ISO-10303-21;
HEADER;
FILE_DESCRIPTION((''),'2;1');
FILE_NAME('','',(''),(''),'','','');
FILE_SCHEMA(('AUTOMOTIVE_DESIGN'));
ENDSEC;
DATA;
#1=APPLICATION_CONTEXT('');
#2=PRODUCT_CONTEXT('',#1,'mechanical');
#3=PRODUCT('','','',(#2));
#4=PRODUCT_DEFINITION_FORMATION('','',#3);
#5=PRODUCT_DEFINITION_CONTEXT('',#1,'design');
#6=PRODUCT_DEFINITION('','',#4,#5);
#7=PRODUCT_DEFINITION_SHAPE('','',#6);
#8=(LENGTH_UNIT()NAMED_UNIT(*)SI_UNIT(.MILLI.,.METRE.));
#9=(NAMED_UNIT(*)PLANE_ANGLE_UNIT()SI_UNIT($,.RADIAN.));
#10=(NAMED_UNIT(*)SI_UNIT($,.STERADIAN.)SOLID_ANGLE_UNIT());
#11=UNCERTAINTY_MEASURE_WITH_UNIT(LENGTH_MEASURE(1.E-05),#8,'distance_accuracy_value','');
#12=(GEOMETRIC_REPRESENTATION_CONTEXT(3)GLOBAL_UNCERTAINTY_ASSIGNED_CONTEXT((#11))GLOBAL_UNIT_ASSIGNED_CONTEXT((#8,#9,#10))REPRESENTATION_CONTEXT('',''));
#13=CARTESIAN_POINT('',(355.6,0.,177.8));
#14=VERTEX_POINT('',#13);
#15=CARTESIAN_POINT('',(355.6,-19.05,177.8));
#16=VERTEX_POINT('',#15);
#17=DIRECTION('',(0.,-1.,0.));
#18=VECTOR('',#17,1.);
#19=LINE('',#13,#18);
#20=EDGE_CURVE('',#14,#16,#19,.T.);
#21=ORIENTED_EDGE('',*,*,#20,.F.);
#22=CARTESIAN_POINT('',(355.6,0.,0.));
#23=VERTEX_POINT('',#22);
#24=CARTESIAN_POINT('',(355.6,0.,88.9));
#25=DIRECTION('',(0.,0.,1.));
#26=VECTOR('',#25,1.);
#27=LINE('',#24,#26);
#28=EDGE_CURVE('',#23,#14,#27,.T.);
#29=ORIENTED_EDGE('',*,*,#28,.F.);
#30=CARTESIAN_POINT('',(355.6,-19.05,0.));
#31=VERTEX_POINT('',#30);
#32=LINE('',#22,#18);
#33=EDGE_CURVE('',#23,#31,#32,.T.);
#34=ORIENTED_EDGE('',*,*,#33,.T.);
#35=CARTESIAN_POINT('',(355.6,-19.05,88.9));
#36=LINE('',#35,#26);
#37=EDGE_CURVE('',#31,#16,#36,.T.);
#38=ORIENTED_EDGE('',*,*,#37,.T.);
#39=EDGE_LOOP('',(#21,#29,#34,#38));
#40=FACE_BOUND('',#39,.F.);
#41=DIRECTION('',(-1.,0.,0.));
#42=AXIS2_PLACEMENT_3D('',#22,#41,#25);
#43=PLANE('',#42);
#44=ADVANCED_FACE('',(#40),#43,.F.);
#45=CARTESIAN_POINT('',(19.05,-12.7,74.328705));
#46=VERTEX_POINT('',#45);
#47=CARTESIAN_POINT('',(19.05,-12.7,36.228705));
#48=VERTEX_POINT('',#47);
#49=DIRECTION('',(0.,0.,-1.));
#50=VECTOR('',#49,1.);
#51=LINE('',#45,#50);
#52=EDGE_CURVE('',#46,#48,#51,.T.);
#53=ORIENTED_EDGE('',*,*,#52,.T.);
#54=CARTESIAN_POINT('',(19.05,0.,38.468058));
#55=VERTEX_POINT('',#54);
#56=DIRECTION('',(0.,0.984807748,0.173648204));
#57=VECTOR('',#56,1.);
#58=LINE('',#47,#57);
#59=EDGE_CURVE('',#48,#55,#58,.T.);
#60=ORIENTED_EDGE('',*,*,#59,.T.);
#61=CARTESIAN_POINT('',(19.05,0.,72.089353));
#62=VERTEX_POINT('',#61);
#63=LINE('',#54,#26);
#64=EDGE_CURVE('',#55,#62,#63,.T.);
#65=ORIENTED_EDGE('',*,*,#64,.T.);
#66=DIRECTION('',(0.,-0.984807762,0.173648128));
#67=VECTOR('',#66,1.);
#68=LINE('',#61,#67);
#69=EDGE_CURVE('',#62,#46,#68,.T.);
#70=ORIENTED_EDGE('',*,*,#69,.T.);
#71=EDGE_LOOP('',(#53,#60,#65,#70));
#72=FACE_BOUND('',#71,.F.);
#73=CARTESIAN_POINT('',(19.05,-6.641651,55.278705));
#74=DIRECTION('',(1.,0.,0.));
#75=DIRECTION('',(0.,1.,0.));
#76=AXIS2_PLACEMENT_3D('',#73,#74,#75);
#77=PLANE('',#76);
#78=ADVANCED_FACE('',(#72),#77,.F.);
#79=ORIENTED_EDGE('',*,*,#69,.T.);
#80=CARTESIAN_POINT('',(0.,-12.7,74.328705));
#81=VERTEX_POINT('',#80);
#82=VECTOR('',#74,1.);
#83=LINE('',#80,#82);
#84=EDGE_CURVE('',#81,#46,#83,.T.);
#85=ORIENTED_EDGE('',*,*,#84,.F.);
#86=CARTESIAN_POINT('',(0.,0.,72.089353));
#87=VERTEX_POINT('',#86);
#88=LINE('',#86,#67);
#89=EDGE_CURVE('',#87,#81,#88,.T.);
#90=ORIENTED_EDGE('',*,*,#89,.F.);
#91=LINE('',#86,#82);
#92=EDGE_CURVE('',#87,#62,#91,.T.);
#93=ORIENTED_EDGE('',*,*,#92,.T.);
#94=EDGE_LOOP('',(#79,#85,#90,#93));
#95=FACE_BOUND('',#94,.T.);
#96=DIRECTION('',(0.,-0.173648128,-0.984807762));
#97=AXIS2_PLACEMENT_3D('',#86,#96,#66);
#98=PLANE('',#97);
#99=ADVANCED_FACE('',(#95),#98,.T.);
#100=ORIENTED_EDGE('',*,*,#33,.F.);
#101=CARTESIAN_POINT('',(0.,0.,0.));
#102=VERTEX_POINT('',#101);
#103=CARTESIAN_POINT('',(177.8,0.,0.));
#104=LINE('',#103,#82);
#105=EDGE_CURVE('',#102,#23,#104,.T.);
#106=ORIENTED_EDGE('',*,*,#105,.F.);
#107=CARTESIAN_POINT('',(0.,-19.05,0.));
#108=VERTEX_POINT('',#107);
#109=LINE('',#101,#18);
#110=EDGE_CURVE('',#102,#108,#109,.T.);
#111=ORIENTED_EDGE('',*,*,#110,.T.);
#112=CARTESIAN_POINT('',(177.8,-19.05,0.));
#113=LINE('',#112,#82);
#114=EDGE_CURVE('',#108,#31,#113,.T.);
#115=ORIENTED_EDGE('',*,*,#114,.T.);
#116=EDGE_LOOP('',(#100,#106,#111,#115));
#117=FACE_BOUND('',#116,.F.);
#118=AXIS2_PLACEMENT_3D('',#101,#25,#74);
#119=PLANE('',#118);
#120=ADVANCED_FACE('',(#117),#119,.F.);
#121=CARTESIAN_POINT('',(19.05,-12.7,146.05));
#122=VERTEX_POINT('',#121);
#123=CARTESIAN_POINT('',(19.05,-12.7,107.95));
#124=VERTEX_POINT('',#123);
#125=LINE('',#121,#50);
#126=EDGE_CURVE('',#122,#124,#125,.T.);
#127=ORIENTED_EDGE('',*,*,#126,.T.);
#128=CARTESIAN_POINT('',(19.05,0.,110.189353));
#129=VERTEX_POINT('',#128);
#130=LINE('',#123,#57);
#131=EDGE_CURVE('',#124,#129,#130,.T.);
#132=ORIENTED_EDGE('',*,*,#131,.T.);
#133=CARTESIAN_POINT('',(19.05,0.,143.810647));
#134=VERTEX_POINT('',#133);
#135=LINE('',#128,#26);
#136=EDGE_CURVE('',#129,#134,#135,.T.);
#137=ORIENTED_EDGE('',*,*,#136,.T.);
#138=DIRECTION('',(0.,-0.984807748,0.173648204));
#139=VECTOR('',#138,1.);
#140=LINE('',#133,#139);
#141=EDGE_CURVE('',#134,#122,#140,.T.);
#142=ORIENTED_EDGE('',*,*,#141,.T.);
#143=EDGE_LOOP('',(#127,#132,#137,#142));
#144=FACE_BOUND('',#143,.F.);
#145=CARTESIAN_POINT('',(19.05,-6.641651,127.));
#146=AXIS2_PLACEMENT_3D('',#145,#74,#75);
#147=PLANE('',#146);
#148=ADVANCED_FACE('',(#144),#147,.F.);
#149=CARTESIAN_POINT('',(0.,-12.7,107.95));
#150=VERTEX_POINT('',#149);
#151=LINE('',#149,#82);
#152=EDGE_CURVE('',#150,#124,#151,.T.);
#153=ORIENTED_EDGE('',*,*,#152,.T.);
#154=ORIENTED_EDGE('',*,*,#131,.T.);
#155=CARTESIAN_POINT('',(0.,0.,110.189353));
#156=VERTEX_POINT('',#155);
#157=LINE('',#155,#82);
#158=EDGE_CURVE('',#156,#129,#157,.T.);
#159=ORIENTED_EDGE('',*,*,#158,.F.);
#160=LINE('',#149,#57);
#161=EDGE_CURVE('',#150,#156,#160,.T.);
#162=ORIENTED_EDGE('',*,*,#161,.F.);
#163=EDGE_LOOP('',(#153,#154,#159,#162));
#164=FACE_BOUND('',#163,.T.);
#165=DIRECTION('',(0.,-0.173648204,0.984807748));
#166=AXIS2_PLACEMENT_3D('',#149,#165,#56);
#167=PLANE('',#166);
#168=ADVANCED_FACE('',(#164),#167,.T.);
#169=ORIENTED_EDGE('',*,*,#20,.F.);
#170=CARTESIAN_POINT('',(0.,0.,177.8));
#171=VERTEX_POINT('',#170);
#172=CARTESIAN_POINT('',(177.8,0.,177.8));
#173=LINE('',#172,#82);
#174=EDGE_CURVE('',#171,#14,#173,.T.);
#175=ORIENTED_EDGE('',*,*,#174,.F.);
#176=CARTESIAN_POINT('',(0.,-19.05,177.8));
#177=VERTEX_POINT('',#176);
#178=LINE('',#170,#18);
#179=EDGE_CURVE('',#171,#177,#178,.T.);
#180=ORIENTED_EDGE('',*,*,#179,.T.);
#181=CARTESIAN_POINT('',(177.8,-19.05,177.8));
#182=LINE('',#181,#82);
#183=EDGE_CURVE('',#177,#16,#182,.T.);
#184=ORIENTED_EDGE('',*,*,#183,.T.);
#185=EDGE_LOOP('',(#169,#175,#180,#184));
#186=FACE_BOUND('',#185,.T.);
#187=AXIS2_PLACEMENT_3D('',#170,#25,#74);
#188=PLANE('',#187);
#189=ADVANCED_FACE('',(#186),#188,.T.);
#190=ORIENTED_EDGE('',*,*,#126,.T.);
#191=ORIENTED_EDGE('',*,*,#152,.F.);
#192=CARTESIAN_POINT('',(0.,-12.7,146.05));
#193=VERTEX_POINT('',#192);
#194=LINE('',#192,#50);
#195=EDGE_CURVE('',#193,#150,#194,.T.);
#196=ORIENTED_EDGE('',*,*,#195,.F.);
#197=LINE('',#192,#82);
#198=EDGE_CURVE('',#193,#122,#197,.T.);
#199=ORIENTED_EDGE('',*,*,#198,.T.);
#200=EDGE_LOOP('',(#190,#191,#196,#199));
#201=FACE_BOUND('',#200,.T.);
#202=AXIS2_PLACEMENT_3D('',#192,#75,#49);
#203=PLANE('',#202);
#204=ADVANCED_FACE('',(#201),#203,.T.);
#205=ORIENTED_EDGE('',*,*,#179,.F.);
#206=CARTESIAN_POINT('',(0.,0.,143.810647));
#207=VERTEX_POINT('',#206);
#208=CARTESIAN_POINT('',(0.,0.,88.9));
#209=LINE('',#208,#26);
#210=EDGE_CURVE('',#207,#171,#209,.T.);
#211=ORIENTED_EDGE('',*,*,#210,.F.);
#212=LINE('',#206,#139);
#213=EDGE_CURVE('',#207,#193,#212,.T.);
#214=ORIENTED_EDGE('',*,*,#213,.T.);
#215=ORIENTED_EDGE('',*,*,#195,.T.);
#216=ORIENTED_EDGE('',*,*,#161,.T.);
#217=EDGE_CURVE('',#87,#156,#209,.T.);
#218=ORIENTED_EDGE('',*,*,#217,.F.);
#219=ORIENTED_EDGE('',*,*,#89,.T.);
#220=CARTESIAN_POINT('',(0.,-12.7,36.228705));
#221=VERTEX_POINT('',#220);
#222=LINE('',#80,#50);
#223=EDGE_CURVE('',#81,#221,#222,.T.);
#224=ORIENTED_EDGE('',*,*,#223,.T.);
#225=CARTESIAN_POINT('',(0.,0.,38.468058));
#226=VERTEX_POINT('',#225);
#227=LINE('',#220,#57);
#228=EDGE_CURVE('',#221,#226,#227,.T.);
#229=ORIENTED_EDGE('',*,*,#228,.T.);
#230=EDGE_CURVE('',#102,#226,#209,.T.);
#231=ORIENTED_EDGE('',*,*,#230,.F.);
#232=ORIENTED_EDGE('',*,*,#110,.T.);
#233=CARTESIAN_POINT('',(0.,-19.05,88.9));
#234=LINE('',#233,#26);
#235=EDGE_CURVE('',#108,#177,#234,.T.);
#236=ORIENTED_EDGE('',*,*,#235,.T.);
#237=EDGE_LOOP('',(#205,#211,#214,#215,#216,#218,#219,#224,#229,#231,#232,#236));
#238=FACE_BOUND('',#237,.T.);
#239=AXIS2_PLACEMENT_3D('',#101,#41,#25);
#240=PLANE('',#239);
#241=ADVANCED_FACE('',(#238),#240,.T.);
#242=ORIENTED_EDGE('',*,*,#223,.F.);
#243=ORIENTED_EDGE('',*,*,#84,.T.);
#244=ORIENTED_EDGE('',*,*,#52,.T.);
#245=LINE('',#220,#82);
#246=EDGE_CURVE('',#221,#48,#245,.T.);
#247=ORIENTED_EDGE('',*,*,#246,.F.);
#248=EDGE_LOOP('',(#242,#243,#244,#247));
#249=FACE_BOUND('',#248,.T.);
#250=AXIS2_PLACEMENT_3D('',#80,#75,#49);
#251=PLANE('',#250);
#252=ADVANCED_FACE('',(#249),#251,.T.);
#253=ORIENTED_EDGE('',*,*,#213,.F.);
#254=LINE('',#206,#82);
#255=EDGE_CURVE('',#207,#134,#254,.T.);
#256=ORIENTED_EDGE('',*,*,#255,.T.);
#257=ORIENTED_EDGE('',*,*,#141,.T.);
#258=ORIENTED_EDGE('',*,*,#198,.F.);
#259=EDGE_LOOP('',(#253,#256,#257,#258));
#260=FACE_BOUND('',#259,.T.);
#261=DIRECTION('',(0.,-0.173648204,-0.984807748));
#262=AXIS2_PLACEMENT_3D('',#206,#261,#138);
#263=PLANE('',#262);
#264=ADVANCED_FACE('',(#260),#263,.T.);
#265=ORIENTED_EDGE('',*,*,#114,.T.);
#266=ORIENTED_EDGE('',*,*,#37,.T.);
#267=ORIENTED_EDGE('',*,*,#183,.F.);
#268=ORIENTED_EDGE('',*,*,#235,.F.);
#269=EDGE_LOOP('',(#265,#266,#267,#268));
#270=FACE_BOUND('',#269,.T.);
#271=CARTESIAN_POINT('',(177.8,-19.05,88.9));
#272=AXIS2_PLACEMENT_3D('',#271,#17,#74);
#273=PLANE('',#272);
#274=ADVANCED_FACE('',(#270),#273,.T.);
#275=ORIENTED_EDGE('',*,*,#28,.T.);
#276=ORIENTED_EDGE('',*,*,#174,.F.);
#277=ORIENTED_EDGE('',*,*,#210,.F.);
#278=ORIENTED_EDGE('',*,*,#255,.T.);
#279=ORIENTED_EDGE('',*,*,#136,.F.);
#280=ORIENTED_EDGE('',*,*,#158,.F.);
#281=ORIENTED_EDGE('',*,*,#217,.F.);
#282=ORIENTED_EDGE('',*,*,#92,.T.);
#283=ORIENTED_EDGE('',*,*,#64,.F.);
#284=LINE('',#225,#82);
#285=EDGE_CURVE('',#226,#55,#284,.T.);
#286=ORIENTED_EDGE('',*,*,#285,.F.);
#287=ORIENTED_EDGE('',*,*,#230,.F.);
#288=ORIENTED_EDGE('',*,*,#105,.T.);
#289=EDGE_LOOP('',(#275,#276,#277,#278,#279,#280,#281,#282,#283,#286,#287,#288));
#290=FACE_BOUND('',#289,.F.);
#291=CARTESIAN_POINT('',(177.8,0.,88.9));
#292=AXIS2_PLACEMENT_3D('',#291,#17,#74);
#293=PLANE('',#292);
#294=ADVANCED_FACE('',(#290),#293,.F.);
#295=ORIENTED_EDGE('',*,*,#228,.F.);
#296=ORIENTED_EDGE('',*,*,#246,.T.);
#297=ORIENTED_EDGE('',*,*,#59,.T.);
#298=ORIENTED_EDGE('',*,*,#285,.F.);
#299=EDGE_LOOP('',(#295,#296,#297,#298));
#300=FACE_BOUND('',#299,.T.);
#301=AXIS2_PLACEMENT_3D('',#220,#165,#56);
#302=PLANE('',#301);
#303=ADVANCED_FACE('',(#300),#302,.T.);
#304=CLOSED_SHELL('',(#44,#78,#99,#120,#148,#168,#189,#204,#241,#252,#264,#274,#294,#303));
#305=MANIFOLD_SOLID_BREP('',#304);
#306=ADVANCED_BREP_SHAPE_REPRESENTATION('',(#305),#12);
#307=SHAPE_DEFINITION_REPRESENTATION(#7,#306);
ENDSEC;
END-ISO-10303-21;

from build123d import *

# Parameters (mm, degrees)
F0_W     = 355.6
F0_H     = 177.8
F1_DEPTH = 19.05
F3_DEPTH = 19.05


with BuildPart() as f1:
    # F0 (on Front) → F1 (new body)
    with BuildSketch(Plane.XZ):
        with Locations((177.8, 88.9)):
            Rectangle(F0_W, F0_H)
    extrude(amount=F1_DEPTH)

    # F2 (on Right) → F3 (cut)
    with BuildSketch(Plane.YZ):
        Polygon((0, 143.810647), (-12.7, 146.05), (-12.7, 107.95), (0, 110.189353), align=None)
        Polygon((0, 38.468058), (0, 72.089353), (-12.7, 74.328705), (-12.7, 36.228705), align=None)
    extrude(amount=F3_DEPTH, mode=Mode.SUBTRACT)


solid = f1.part
